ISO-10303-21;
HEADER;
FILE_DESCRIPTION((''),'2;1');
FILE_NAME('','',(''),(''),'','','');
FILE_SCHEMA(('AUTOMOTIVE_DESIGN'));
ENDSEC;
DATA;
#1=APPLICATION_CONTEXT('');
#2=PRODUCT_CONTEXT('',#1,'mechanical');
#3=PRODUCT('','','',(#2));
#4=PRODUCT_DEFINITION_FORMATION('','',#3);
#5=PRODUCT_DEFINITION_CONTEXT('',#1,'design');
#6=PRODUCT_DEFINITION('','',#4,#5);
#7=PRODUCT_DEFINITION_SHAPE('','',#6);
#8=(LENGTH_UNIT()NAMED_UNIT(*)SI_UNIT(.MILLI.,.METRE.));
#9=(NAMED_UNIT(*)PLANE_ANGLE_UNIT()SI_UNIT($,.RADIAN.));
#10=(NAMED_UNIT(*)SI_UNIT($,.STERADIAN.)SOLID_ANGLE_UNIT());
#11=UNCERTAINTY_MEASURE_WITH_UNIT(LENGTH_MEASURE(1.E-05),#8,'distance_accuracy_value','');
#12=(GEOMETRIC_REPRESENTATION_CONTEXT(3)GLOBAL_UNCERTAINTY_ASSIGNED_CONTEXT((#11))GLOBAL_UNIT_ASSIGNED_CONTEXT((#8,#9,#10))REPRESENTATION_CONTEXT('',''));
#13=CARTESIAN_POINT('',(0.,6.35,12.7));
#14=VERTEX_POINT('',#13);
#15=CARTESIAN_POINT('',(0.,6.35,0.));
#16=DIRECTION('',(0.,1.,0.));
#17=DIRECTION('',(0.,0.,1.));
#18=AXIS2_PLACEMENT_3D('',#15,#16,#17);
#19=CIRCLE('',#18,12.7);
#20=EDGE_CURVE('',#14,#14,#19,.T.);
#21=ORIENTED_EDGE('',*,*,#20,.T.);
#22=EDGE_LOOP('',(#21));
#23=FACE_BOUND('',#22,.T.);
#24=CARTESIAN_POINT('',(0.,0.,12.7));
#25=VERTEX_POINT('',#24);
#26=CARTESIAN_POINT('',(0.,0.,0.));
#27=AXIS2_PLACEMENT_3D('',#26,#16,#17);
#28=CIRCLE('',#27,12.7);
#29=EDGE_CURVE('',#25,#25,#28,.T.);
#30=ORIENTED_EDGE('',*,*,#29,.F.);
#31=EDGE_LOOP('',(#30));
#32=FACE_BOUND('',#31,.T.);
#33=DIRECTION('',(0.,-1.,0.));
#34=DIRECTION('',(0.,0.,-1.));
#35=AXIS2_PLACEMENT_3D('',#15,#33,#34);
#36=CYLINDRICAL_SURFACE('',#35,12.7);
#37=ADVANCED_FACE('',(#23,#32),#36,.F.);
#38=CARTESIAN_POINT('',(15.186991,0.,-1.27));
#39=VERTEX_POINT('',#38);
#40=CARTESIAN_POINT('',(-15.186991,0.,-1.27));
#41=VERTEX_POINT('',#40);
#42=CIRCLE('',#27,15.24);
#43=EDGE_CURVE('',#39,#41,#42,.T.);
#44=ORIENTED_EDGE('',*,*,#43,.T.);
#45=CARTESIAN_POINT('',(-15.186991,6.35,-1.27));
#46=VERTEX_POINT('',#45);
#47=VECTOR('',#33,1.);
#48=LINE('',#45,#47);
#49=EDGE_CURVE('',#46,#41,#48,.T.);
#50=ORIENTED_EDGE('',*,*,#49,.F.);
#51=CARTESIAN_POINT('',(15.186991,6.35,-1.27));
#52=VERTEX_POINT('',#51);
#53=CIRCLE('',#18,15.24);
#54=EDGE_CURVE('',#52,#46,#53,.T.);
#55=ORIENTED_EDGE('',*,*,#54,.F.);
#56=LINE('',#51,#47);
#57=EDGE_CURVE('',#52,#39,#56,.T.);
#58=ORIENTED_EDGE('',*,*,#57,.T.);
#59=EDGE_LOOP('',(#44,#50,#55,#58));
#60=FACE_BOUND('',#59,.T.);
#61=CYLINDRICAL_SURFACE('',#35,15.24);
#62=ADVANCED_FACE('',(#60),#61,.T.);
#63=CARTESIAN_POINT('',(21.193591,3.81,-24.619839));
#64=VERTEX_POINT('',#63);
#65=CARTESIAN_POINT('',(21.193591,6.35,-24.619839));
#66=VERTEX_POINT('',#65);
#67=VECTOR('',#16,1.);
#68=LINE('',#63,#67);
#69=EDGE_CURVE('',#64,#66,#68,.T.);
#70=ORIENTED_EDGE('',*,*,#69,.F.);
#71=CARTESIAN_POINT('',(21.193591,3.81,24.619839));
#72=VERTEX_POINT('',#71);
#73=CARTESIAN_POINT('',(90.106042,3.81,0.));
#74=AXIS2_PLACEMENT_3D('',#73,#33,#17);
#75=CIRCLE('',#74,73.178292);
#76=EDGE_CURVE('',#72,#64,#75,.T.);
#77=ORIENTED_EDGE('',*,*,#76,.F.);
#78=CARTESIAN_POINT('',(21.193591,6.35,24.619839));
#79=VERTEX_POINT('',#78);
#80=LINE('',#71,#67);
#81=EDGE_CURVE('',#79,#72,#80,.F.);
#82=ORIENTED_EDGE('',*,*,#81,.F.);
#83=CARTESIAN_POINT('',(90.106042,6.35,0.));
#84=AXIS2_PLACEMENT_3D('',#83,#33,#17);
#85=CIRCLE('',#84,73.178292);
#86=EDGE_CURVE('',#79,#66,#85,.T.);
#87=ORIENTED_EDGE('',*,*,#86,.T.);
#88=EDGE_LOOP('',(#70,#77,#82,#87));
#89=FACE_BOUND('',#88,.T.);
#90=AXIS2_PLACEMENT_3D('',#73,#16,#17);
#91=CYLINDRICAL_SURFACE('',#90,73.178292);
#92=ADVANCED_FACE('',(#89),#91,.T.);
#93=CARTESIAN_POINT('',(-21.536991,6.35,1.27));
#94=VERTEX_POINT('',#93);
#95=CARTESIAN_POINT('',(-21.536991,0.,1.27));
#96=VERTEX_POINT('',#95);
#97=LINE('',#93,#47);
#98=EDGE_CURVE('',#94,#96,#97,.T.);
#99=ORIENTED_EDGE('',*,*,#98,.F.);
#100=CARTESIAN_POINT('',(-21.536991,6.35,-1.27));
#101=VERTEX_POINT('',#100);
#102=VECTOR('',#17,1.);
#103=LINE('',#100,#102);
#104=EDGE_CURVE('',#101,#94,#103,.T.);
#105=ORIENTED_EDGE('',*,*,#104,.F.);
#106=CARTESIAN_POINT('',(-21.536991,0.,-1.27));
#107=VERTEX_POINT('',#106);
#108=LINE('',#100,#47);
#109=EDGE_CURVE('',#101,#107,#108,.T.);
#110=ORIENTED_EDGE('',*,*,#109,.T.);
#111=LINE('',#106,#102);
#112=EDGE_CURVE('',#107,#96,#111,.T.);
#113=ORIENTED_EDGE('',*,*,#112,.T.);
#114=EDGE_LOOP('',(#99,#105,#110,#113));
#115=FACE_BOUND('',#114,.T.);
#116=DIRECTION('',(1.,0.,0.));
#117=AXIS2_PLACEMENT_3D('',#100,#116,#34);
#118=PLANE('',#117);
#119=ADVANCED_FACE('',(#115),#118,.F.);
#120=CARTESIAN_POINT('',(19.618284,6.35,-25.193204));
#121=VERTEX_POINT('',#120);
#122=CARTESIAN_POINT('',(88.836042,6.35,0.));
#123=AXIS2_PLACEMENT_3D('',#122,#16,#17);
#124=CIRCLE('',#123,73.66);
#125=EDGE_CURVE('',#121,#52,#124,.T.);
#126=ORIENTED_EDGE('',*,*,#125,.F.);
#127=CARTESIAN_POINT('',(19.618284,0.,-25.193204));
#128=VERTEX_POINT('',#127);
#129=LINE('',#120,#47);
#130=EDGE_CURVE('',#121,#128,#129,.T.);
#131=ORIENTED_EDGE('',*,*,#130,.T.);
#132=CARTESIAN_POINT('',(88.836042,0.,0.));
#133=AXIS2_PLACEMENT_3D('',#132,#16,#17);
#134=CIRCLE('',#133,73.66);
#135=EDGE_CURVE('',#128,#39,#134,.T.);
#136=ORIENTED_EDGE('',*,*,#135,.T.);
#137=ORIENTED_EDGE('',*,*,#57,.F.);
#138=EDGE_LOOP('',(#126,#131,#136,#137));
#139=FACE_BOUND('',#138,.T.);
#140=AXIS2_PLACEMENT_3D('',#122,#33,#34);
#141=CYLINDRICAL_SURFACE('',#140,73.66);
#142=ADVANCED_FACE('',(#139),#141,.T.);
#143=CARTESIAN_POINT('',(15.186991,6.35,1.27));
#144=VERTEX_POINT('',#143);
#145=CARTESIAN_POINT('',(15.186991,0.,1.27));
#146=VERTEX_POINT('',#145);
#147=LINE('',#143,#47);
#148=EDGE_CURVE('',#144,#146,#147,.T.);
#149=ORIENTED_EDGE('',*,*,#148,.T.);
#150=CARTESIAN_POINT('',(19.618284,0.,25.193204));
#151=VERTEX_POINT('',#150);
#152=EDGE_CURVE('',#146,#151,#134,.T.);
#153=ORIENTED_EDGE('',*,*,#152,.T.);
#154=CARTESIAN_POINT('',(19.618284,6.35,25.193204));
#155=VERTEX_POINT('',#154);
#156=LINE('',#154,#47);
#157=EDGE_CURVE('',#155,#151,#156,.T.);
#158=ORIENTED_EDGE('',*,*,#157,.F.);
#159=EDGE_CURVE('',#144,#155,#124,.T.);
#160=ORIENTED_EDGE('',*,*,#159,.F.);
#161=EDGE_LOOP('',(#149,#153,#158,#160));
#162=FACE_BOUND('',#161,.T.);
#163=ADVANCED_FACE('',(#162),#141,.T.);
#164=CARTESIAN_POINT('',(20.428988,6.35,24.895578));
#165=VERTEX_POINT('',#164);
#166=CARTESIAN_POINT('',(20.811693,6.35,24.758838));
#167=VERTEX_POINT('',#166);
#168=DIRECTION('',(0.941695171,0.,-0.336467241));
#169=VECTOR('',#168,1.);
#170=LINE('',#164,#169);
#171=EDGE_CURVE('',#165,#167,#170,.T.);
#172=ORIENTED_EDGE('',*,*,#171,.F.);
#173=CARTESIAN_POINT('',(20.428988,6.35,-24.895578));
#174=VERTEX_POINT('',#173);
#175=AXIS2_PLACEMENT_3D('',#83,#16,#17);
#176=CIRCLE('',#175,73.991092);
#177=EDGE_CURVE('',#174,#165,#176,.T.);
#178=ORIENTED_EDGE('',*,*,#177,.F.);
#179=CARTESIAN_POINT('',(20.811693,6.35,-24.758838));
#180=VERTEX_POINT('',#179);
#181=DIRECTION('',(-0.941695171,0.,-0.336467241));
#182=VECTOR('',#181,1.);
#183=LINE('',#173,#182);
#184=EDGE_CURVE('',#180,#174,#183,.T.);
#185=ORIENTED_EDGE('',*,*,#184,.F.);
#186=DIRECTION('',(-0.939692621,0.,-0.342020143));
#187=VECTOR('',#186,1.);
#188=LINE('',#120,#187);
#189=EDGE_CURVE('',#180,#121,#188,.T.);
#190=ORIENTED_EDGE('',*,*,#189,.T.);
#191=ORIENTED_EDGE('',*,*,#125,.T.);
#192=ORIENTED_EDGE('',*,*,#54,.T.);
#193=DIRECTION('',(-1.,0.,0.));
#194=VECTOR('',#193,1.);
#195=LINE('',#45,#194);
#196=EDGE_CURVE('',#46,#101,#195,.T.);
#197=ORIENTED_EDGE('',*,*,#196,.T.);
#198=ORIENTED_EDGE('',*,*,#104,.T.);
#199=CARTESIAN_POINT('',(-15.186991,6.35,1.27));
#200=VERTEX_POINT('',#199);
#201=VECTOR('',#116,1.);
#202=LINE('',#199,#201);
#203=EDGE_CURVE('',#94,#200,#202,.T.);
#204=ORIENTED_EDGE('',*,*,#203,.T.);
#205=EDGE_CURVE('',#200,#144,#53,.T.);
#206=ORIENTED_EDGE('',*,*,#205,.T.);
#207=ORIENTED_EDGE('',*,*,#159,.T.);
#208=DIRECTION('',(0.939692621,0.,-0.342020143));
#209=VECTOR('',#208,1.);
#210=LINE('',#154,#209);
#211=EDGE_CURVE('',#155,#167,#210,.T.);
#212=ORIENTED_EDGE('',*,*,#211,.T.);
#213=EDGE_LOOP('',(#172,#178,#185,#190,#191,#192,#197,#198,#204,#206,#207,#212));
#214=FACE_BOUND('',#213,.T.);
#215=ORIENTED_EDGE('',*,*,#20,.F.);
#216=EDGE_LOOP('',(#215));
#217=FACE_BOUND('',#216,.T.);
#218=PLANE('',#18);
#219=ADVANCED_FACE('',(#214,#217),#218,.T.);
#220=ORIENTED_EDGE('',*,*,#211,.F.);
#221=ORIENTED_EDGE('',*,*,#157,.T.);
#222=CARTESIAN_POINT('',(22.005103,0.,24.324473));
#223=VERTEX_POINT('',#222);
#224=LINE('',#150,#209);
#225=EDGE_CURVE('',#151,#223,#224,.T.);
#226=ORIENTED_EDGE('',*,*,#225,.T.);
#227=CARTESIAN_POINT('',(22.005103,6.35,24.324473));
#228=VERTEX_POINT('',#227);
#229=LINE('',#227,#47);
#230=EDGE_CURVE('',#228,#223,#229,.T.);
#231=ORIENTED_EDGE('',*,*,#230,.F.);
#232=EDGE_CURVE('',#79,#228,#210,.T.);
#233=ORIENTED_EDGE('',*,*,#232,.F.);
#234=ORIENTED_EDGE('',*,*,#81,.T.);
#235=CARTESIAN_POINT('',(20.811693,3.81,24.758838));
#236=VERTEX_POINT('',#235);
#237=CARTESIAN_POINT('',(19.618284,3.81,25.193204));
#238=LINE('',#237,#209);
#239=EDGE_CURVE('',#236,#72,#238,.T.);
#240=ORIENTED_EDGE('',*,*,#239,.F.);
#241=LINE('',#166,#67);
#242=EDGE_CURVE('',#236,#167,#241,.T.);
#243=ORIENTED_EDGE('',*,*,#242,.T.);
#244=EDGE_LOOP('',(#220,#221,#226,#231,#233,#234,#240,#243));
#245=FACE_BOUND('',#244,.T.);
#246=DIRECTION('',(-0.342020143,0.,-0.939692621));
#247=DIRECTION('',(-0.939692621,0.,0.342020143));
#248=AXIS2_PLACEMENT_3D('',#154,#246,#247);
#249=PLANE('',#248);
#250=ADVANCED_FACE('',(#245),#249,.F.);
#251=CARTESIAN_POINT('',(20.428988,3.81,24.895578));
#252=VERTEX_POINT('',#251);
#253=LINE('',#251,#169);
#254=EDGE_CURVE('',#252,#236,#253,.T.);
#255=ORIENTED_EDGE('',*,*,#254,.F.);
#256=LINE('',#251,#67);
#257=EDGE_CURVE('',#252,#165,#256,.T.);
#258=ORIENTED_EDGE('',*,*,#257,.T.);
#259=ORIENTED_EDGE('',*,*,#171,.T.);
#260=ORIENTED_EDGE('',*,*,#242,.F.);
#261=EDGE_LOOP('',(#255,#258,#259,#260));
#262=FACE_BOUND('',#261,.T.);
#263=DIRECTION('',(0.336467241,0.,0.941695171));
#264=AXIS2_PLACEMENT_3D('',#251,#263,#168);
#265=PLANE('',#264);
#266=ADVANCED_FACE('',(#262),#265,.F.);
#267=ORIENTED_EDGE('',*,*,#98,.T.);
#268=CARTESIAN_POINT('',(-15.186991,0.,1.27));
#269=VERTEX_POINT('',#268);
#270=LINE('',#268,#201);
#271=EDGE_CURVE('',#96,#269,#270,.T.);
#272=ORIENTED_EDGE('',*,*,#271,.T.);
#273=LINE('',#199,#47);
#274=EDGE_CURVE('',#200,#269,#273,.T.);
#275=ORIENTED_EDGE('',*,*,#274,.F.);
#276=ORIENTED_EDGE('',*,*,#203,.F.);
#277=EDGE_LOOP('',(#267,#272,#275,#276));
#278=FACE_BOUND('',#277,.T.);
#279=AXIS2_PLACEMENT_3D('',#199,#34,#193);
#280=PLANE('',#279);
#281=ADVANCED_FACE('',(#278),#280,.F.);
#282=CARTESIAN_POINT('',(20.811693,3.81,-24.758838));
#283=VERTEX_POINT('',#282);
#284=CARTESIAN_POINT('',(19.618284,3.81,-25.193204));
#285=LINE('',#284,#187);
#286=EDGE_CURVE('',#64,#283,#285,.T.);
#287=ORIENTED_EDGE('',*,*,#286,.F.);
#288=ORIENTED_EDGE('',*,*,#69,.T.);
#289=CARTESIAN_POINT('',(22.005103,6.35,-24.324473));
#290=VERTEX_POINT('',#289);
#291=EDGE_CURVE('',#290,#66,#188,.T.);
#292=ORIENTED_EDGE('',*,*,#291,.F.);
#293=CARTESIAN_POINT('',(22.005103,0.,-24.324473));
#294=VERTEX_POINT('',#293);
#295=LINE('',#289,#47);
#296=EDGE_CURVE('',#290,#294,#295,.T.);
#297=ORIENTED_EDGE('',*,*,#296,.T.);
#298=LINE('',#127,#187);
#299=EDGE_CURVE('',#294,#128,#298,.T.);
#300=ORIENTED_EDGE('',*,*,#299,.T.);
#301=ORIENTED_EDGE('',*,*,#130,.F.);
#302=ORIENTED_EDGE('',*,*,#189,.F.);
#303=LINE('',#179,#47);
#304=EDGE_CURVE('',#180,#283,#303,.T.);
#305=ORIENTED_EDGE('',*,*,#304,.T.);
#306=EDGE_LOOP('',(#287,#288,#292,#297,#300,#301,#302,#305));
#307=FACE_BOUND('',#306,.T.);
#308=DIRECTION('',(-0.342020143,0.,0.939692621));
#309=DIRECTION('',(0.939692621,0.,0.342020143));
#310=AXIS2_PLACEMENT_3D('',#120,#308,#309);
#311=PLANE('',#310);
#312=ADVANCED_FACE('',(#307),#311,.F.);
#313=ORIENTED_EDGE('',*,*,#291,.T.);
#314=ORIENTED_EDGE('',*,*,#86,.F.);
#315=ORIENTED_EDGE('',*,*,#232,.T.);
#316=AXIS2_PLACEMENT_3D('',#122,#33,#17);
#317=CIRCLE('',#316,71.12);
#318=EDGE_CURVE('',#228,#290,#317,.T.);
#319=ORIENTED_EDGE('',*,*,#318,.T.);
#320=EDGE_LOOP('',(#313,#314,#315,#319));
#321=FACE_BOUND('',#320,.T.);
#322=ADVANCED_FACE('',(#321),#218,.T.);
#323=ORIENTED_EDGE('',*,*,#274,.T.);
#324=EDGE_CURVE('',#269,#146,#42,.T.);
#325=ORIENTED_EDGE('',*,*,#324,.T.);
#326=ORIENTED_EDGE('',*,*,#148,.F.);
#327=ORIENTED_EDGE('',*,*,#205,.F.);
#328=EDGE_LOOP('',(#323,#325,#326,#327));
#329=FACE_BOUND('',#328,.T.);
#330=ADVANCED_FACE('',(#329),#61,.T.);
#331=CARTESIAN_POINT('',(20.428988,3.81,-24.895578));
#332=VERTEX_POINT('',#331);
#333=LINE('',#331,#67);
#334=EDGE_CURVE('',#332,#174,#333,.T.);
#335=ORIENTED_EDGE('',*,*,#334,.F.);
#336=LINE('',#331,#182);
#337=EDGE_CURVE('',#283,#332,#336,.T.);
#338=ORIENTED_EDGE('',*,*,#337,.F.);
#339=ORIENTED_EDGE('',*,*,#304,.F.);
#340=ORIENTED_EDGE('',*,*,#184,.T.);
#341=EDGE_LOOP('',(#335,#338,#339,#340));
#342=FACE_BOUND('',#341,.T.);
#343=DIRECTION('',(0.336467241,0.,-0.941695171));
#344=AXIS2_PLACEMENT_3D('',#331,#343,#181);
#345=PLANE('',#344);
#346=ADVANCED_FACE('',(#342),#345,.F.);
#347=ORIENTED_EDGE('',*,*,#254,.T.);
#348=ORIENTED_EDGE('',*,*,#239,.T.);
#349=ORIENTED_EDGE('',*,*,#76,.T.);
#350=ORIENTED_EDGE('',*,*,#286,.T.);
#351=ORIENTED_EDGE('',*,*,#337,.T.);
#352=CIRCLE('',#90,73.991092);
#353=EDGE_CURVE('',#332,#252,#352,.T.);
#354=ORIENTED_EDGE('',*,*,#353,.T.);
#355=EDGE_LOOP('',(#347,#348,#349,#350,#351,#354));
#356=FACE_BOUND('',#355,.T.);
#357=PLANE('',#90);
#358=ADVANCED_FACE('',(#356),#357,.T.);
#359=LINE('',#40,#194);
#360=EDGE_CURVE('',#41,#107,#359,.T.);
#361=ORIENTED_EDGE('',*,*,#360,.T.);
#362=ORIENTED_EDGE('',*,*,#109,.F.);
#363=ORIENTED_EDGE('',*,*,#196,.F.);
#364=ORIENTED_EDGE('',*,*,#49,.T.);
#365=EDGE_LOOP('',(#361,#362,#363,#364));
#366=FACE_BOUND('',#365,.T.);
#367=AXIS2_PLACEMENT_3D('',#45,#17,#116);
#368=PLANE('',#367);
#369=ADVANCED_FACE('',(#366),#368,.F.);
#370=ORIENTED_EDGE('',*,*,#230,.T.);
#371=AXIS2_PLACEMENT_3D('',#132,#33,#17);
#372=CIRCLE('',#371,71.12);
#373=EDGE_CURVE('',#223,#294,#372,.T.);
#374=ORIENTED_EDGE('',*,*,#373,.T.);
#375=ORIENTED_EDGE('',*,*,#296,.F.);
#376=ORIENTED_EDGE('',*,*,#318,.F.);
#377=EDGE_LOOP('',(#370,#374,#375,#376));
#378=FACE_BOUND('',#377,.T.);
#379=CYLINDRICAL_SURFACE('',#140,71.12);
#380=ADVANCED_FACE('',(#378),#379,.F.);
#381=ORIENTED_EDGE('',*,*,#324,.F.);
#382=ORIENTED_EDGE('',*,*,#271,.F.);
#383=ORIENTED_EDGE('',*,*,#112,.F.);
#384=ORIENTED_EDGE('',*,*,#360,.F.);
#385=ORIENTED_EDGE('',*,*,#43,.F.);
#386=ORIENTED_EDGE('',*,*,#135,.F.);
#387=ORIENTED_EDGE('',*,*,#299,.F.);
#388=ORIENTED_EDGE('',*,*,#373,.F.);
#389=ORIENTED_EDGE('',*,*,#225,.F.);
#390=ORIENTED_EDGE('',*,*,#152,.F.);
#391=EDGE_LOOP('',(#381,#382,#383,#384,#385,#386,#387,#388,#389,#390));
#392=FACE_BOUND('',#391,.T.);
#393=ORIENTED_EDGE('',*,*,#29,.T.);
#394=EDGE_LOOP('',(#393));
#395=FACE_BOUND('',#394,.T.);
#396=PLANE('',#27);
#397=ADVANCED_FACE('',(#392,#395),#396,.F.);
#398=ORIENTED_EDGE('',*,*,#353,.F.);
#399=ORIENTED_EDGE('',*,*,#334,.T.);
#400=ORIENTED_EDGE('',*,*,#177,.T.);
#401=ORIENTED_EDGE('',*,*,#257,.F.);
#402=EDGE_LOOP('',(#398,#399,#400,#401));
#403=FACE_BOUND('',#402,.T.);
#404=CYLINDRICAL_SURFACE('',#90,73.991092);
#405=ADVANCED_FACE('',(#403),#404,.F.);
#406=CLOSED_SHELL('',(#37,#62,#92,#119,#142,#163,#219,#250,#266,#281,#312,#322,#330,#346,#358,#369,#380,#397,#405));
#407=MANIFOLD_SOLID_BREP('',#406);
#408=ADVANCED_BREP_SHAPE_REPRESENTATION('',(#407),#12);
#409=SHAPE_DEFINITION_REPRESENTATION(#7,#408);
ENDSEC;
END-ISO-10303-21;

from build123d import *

# Parameters (mm, degrees)
SKETCH1_R           = 12.7
BOSS_EXTRUDE1_DEPTH = 6.35
CUT_EXTRUDE1_DEPTH  = 2.54


with BuildPart() as part:
    # Sketch1 → Boss-Extrude1 (new body)
    with BuildSketch(Plane(origin=(0, 0, 0), x_dir=(1, 0, 0), z_dir=(0, 1, 0))):
        with BuildLine():
            Line((-21.536991144, 1.27), (-21.536991144, -1.27))
            Line((-21.536991144, -1.27), (-15.186991144, -1.27))
            ThreePointArc((-15.186991144, -1.27), (0, -15.24), (15.186991144, -1.27))
            ThreePointArc((15.186991144, -1.27), (16.408069395, -13.415825599), (19.618283607, -25.193203757))
            Line((19.618283607, -25.193203757), (22.005102864, -24.324472593))
            ThreePointArc((22.005102864, -24.324472593), (17.716042054, 0), (22.005102864, 24.324472593))
            Line((22.005102864, 24.324472593), (19.618283607, 25.193203757))
            ThreePointArc((19.618283607, 25.193203757), (16.408069395, 13.415825599), (15.186991144, 1.27))
            ThreePointArc((15.186991144, 1.27), (0, 15.24), (-15.186991144, 1.27))
            Line((-15.186991144, 1.27), (-21.536991144, 1.27))
        make_face()
        with Locations(Location((0, 0, 0), (0, 0, 270))):
            Circle(SKETCH1_R, mode=Mode.SUBTRACT)
    extrude(amount=BOSS_EXTRUDE1_DEPTH)

    # Sketch2 → Cut-Extrude1 (cut)
    with BuildSketch(Plane(origin=(0, 6.35, 0), x_dir=(1, 0, 0), z_dir=(0, 1, 0))):
        with BuildLine():
            Line((20.428988318, 24.895578462), (21.194398153, 24.622097889))
            ThreePointArc((21.194398153, 24.622097889), (16.927750399, 0), (21.194398153, -24.622097889))
            Line((21.194398153, -24.622097889), (20.428988318, -24.895578462))
            ThreePointArc((20.428988318, -24.895578462), (16.114950399, 0), (20.428988318, 24.895578462))
        make_face()
    extrude(amount=-CUT_EXTRUDE1_DEPTH, mode=Mode.SUBTRACT)


solid = part.part
